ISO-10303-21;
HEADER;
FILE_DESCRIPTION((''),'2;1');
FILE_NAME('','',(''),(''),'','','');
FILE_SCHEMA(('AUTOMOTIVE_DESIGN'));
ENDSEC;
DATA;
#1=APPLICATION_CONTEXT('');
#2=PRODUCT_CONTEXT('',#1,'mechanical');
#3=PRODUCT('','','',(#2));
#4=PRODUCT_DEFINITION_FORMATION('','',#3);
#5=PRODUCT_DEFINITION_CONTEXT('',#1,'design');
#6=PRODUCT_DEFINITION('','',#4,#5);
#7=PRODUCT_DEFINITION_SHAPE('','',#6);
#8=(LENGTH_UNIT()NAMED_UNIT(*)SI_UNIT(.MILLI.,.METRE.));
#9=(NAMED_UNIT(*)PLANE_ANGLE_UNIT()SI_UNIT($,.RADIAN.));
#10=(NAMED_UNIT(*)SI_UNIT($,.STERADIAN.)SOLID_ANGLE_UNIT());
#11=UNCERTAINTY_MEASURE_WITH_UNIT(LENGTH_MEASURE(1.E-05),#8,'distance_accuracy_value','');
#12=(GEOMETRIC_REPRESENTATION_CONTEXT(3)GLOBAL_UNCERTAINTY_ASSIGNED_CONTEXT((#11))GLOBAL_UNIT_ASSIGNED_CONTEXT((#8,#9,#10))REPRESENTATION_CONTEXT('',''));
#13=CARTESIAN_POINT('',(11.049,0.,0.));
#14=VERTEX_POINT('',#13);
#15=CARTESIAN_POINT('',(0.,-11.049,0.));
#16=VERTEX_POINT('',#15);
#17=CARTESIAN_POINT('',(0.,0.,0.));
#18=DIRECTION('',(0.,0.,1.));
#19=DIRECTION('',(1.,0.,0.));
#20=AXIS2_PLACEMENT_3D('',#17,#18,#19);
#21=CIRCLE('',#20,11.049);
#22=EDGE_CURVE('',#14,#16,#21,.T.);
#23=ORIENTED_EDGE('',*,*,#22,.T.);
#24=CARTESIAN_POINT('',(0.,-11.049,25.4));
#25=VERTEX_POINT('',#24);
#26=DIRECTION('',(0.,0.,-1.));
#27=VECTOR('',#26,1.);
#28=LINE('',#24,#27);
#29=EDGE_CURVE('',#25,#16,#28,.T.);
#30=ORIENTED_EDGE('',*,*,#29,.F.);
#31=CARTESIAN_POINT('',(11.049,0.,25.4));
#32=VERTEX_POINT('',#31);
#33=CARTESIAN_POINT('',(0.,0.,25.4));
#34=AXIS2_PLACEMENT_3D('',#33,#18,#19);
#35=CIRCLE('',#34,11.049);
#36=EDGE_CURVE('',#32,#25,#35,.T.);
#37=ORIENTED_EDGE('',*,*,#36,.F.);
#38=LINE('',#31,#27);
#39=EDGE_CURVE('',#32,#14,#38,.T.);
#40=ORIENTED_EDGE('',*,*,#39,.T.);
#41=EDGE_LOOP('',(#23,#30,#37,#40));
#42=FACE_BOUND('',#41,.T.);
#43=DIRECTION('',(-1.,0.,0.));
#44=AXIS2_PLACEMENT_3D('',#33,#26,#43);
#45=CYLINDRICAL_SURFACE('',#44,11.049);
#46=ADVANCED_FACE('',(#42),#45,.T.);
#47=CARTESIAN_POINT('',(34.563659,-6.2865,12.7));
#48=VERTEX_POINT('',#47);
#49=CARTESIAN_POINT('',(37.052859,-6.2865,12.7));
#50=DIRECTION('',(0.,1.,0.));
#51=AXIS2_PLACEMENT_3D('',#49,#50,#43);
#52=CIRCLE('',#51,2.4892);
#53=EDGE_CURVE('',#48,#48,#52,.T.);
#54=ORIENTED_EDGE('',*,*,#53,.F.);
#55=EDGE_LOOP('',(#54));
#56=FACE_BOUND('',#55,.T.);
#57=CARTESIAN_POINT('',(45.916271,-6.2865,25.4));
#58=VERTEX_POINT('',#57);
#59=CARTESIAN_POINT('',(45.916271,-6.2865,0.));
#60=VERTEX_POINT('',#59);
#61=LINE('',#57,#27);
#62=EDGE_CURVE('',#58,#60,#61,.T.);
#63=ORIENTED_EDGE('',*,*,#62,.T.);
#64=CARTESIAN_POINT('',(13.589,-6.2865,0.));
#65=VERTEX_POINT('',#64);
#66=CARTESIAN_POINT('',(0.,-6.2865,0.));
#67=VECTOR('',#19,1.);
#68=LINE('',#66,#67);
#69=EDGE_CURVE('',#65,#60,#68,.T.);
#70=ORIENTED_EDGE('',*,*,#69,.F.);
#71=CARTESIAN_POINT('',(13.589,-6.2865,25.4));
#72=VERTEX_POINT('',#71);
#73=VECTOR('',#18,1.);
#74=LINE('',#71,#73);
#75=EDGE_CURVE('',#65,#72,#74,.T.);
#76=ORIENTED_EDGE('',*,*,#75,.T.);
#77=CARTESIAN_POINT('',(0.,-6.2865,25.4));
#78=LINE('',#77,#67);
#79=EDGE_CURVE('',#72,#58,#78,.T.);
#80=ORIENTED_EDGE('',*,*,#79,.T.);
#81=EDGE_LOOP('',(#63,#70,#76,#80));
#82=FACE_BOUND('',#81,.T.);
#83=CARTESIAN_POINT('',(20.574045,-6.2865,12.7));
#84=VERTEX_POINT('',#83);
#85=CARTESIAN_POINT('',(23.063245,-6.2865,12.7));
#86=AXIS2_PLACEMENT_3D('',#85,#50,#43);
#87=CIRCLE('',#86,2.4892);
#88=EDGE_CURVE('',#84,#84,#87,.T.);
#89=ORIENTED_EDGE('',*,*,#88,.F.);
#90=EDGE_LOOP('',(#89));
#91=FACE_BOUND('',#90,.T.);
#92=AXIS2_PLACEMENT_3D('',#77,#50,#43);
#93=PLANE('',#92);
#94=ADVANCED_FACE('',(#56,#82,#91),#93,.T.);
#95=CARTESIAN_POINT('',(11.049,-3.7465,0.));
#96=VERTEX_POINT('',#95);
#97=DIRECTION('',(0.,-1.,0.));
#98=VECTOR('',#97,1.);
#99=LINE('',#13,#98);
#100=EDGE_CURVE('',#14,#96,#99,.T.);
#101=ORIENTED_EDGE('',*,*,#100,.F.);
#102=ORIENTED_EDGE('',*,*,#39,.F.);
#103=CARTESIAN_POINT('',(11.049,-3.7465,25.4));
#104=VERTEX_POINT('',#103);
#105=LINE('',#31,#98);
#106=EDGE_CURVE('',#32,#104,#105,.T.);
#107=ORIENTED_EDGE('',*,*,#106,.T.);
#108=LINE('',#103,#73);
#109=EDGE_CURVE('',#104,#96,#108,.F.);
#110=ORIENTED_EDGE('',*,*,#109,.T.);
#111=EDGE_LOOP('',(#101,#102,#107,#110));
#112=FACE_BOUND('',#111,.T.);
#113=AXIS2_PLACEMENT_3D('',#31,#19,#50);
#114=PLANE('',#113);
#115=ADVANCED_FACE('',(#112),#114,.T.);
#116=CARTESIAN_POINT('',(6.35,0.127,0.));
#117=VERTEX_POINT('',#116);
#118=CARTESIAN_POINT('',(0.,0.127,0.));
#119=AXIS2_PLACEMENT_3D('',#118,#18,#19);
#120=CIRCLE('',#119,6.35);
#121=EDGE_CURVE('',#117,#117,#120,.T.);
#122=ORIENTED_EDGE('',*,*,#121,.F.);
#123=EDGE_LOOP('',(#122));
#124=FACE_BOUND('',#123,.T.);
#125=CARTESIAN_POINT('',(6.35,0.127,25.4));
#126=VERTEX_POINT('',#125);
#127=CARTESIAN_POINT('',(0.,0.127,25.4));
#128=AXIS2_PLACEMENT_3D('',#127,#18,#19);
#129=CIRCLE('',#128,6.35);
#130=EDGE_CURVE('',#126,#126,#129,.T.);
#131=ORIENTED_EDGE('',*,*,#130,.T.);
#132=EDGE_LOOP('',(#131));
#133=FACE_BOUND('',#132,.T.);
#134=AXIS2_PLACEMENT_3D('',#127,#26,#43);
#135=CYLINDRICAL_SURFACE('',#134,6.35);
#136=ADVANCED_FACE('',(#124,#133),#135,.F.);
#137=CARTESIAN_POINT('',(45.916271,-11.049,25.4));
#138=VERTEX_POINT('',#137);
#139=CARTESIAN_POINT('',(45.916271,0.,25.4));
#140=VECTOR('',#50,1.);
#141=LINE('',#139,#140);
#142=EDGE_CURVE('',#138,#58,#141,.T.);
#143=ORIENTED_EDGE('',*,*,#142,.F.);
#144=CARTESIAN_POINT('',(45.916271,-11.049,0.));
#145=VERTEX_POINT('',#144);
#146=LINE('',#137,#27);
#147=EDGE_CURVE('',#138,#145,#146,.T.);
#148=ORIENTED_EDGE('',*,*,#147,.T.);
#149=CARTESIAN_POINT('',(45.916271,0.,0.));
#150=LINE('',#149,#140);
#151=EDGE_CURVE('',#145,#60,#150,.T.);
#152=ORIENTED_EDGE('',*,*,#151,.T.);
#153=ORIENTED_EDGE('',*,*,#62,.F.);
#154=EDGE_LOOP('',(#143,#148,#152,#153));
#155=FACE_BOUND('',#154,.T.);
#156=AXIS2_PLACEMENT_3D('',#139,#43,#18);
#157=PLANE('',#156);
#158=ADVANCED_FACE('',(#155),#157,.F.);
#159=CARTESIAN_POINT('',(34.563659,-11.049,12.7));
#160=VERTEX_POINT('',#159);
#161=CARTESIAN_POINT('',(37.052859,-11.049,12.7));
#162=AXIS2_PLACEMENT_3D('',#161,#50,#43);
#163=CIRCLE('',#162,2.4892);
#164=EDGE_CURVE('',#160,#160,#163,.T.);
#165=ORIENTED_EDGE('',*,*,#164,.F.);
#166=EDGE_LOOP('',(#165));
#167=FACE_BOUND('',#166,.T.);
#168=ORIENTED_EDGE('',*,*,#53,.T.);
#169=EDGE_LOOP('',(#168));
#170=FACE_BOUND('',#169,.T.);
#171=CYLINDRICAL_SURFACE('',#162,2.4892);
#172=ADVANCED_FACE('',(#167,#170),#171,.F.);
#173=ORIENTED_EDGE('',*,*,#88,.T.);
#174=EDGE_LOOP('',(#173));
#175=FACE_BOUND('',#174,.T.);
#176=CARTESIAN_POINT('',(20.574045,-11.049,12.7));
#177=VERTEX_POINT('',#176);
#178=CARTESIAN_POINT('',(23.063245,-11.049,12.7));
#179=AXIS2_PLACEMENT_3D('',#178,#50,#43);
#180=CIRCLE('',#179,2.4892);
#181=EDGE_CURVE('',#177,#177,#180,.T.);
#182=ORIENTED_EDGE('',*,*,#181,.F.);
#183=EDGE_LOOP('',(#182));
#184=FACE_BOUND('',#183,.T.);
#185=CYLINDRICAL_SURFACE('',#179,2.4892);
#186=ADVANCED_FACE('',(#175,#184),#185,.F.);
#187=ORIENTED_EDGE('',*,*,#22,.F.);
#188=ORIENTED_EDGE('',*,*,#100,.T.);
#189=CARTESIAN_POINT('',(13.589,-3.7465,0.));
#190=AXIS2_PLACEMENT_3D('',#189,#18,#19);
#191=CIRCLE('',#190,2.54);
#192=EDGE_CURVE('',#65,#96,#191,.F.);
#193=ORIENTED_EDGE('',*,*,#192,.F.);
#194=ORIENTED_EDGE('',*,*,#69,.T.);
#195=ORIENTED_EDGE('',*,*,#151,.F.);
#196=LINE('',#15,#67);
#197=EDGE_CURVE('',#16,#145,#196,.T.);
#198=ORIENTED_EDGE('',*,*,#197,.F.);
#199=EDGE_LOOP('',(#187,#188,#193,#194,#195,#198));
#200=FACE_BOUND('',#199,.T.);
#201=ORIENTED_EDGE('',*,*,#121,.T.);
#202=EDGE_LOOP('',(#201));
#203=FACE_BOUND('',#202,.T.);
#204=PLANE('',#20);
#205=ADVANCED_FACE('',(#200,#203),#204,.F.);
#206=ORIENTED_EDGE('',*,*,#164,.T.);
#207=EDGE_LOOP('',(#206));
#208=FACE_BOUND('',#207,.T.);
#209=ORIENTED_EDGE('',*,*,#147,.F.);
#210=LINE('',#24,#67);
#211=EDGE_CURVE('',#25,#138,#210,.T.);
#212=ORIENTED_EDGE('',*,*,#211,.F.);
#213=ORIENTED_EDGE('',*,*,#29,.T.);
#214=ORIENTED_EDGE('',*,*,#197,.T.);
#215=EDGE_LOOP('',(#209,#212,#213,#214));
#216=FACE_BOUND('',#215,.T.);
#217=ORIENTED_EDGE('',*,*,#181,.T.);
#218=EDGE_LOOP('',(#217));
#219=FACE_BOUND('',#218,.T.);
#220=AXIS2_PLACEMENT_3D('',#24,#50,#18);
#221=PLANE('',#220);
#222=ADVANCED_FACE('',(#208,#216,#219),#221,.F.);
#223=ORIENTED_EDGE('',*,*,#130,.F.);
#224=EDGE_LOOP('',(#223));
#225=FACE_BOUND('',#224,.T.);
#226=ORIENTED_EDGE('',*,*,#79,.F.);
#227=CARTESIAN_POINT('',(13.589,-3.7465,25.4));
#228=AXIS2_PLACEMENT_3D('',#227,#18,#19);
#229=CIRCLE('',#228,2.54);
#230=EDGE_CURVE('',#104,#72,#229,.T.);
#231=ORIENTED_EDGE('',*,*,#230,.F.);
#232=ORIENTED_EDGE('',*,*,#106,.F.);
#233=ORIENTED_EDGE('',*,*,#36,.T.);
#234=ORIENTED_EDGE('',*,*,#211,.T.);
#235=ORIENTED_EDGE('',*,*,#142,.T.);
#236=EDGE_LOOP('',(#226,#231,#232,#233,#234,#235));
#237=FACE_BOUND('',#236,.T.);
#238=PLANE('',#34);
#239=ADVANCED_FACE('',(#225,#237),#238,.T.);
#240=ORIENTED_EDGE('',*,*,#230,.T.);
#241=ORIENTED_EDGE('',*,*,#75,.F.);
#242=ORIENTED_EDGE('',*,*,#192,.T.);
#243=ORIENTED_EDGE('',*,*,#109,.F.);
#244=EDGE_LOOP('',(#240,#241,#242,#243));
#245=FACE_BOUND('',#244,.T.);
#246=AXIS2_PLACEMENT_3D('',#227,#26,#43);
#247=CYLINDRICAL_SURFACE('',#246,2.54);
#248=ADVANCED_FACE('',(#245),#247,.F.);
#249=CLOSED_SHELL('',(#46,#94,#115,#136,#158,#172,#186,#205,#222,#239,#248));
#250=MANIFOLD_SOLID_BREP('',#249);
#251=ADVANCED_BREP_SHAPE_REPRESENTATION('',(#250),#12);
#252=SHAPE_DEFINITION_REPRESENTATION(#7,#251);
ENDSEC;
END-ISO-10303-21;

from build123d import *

# Parameters (mm, degrees)
SKETCH1_R           = 6.35
BOSS_EXTRUDE1_DEPTH = 25.4
FILLET1_R           = 2.54
SKETCH2_R           = 2.4892
CUT_EXTRUDE1_DEPTH  = 5.7625


with BuildPart() as part:
    # Sketch1 → Boss-Extrude1 (new body)
    with BuildSketch(Plane.XY):
        with BuildLine():
            Line((11.049, -6.2865), (11.049, 0))
            ThreePointArc((11.049, 0), (-7.812822825, 7.812822825), (0, -11.049))
            Line((0, -11.049), (45.91627088, -11.049))
            Line((45.91627088, -11.049), (45.91627088, -6.2865))
            Line((45.91627088, -6.2865), (11.049, -6.2865))
        make_face()
        with Locations((0, 0.127)):
            Circle(SKETCH1_R, mode=Mode.SUBTRACT)
    extrude(amount=BOSS_EXTRUDE1_DEPTH)

    # Fillet1
    fillet1_edges = [part.edges().sort_by_distance(p)[0] for p in [
        (11.049, -6.2865, 12.7),
    ]]
    fillet(fillet1_edges, radius=FILLET1_R)

    # Sketch2 → Cut-Extrude1 (cut, through all)
    with BuildSketch(Plane(origin=(0, -6.2865, 0), x_dir=(1, 0, 0), z_dir=(0, 1, 0))):
        with Locations(Location((37.052858889, -12.7, 0), (0, 0, 180))):  # turned: the seam where the file's is
            Circle(SKETCH2_R)
        with Locations(Location((23.063244992, -12.7, 0), (0, 0, 180))):  # turned: the seam where the file's is
            Circle(SKETCH2_R)
    extrude(amount=-CUT_EXTRUDE1_DEPTH, mode=Mode.SUBTRACT)


solid = part.part
